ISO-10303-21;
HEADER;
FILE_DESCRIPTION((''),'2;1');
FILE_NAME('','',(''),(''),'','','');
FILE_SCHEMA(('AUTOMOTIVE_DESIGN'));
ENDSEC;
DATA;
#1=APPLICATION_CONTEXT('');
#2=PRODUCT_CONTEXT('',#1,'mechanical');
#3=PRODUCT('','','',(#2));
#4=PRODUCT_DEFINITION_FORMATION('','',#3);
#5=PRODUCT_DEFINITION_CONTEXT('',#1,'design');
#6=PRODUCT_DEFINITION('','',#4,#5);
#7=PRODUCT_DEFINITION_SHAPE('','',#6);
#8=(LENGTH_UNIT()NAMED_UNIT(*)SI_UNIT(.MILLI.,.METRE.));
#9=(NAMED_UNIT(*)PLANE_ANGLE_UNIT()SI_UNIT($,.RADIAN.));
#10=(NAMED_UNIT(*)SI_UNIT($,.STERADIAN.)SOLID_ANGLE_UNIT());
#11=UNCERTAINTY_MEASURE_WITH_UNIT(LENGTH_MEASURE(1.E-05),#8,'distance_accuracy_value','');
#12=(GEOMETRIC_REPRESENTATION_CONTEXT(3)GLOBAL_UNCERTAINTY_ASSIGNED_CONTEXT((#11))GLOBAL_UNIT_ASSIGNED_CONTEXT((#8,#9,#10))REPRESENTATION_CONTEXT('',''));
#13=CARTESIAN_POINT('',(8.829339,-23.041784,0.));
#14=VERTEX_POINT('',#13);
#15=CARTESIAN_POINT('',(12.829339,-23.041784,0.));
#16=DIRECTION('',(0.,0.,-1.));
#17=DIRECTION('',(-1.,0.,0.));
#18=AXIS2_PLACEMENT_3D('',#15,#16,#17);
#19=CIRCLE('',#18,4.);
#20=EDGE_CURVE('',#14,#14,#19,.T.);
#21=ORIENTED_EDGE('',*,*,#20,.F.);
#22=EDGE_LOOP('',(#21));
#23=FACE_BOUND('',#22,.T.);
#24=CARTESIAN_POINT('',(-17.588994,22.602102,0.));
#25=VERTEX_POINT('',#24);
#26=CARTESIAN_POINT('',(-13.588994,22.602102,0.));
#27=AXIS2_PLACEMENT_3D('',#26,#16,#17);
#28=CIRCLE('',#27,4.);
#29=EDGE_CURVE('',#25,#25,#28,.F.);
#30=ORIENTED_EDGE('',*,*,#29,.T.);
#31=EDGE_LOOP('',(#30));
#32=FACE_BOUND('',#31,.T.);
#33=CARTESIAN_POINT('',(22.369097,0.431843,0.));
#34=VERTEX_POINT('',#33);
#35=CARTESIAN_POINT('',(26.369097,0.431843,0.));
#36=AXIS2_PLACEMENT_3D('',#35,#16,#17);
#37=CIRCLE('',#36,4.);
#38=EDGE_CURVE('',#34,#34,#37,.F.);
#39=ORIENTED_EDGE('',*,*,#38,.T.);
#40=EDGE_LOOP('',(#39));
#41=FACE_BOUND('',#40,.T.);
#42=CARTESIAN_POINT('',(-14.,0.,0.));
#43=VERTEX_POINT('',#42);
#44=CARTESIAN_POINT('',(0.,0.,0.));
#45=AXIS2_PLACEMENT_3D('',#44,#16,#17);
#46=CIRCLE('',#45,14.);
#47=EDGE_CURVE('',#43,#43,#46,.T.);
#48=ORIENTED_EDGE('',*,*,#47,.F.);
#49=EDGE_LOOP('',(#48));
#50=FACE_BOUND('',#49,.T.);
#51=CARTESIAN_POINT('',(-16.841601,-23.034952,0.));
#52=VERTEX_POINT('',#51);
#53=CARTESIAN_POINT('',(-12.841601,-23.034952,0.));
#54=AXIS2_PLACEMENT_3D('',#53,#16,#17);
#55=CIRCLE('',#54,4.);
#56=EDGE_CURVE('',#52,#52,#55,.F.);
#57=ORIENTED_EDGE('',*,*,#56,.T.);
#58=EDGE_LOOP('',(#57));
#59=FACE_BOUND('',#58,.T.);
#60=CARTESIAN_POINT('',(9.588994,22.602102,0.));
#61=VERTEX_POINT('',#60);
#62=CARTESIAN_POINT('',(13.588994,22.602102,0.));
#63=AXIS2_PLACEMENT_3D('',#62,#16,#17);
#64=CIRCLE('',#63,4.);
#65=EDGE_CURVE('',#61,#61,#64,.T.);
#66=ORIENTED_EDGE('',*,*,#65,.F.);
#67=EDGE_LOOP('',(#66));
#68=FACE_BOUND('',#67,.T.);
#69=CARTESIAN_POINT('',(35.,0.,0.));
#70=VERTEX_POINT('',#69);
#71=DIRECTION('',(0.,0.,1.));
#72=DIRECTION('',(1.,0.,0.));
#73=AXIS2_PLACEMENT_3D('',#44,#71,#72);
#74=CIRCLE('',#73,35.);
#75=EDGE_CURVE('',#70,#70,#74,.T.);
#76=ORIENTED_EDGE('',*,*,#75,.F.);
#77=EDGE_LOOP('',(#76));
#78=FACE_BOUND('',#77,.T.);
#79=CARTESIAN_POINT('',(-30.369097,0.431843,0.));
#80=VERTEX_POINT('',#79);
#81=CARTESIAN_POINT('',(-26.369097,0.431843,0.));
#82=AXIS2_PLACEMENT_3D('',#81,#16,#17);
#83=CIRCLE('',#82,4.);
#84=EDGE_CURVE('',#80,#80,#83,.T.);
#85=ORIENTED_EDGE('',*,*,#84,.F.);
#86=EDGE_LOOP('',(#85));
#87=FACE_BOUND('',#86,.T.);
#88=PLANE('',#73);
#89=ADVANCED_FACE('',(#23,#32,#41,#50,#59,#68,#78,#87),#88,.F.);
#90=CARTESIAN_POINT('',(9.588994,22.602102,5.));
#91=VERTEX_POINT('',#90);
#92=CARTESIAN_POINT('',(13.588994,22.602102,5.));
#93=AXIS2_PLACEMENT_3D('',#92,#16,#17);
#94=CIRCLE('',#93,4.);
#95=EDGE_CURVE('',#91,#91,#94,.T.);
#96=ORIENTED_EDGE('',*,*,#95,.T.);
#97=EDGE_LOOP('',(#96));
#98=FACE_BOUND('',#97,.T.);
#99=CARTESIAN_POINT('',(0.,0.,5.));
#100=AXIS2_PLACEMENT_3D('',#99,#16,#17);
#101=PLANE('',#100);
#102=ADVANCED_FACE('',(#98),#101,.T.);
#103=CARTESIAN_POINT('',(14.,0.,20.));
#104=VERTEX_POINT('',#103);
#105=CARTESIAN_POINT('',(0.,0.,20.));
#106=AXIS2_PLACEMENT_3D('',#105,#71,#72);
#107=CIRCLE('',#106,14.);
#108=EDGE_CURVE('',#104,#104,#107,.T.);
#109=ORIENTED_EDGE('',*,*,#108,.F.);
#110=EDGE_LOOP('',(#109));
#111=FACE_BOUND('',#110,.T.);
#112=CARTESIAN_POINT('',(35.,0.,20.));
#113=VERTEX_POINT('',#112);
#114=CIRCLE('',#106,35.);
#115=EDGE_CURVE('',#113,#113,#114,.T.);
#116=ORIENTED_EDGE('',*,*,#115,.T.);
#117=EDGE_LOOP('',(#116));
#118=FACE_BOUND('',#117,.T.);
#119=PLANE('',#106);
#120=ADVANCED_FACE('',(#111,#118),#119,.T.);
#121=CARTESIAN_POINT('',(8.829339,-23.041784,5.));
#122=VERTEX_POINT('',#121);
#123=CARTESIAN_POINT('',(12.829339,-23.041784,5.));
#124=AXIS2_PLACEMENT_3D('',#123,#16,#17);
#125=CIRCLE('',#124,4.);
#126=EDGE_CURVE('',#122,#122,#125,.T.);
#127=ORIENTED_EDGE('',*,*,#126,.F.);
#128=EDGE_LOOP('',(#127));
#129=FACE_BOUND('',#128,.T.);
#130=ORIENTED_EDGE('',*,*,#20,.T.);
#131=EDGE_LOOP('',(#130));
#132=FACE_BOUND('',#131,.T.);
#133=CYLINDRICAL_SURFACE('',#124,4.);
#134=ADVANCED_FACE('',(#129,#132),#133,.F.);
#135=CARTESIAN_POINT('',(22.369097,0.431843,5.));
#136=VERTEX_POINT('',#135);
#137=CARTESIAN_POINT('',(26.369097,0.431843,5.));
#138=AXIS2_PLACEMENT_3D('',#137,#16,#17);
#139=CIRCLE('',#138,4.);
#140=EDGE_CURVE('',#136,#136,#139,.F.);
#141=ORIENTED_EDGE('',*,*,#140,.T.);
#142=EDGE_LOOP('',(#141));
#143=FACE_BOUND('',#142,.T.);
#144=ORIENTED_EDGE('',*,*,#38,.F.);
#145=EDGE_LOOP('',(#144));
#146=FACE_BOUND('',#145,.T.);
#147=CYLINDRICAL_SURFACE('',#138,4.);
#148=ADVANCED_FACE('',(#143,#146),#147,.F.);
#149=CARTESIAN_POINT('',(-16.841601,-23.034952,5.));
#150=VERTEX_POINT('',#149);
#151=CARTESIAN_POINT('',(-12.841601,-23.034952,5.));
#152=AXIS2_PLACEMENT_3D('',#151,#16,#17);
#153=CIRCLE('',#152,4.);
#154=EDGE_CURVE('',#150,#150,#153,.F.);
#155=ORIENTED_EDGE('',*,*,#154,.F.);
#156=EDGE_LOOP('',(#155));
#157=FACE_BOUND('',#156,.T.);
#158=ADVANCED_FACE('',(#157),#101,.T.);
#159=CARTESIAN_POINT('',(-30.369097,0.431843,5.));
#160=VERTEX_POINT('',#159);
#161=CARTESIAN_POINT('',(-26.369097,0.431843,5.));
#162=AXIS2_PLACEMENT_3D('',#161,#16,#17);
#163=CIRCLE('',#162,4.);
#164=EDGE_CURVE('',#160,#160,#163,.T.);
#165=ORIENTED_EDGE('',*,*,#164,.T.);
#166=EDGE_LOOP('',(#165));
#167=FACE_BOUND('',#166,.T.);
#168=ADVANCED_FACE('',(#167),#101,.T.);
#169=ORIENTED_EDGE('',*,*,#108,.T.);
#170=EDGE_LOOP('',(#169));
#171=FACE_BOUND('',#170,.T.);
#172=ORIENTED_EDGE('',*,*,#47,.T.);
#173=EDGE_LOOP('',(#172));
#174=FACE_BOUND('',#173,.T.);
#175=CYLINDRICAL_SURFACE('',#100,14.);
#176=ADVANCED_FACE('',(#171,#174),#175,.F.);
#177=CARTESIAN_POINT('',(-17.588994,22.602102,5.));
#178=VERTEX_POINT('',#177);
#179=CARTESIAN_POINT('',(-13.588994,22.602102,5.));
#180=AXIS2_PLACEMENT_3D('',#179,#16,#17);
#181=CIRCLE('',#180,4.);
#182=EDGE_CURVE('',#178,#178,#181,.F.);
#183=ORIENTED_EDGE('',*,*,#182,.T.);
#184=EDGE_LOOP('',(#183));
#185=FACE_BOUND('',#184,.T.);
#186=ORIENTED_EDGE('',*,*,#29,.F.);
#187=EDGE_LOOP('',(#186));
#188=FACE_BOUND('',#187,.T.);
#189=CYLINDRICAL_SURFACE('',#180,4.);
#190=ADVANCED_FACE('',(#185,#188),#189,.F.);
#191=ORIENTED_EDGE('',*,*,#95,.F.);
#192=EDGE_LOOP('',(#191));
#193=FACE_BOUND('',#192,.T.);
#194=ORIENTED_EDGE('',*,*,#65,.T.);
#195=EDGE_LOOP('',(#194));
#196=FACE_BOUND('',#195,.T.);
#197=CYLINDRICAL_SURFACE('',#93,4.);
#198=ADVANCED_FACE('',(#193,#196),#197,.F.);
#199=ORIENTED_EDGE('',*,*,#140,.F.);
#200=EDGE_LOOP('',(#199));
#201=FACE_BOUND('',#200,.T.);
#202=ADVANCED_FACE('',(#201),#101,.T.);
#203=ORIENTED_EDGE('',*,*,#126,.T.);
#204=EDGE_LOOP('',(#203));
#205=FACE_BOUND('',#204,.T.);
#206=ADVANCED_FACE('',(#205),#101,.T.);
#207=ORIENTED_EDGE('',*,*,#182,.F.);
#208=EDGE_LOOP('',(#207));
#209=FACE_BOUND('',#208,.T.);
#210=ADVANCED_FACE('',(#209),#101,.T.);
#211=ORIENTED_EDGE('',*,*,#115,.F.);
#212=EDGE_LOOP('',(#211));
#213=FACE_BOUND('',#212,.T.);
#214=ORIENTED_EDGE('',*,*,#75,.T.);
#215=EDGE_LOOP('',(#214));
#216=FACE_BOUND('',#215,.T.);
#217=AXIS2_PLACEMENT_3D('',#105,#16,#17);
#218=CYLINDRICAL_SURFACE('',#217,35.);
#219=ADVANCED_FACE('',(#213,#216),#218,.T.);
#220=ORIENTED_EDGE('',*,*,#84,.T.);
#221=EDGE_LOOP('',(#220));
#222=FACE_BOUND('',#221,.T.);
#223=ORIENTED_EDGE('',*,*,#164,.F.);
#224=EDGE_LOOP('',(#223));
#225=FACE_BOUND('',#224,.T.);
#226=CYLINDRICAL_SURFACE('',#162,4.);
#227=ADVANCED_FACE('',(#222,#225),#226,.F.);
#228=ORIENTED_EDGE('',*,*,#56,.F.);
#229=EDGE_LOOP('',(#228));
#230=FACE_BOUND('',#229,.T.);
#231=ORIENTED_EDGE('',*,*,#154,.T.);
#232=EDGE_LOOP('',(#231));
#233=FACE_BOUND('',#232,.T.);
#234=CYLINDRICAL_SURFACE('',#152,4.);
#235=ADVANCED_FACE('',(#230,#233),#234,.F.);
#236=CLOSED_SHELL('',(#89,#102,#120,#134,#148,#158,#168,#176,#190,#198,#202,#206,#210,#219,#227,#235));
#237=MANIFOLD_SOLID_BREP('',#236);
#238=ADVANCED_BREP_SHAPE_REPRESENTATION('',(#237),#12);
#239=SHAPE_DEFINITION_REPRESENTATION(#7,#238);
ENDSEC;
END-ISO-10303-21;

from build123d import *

# Parameters (mm, degrees)
ESQUISSE1_R             = 35
ESQUISSE1_R_2           = 7
BOSS_EXTRU_1_DEPTH      = 20
ESQUISSE2_R             = 14
ENL_V_MAT_EXTRU_1_DEPTH = 5
ESQUISSE3_R             = 4
ENL_V_MAT_EXTRU_3_DEPTH = 5
ESQUISSE8_R             = 14
ENL_V_MAT_EXTRU_4_DEPTH = 25


with BuildPart() as part:
    # Esquisse1 → Boss.-Extru.1 (new body)
    with BuildSketch(Plane.XY):
        Circle(ESQUISSE1_R)
        Circle(ESQUISSE1_R_2, mode=Mode.SUBTRACT)
    extrude(amount=BOSS_EXTRU_1_DEPTH)

    # Esquisse2 → Enlèv. mat.-Extru.1 (cut)
    with BuildSketch(Plane(origin=(0, 0, 0), x_dir=(-1, 0, 0), z_dir=(0, 0, -1))):
        Circle(ESQUISSE2_R)
    extrude(amount=-ENL_V_MAT_EXTRU_1_DEPTH, mode=Mode.SUBTRACT)

    # Esquisse3 → Enlèv. mat.-Extru.3 (cut)
    with BuildSketch(Plane(origin=(0, 0, 0), x_dir=(-1, 0, 0), z_dir=(0, 0, -1))):
        with Locations((-13.588993608, 22.602101614)):
            Circle(ESQUISSE3_R)
        with Locations((13.588993608, 22.602101614)):
            Circle(ESQUISSE3_R)
        with Locations((26.369096609, 0.431843358)):
            Circle(ESQUISSE3_R)
        with Locations((12.841601354, -23.034952123)):
            Circle(ESQUISSE3_R)
        with Locations((-12.82933858, -23.041784138)):
            Circle(ESQUISSE3_R)
        with Locations((-26.369096609, 0.431843358)):
            Circle(ESQUISSE3_R)
    extrude(amount=-ENL_V_MAT_EXTRU_3_DEPTH, mode=Mode.SUBTRACT)

    # Esquisse8 → Enlèv. mat.-Extru.4 (cut)
    with BuildSketch(Plane(origin=(0, 0, 0), x_dir=(-1, 0, 0), z_dir=(0, 0, -1))):
        Circle(ESQUISSE8_R)
    extrude(amount=-ENL_V_MAT_EXTRU_4_DEPTH, mode=Mode.SUBTRACT)


solid = part.part
